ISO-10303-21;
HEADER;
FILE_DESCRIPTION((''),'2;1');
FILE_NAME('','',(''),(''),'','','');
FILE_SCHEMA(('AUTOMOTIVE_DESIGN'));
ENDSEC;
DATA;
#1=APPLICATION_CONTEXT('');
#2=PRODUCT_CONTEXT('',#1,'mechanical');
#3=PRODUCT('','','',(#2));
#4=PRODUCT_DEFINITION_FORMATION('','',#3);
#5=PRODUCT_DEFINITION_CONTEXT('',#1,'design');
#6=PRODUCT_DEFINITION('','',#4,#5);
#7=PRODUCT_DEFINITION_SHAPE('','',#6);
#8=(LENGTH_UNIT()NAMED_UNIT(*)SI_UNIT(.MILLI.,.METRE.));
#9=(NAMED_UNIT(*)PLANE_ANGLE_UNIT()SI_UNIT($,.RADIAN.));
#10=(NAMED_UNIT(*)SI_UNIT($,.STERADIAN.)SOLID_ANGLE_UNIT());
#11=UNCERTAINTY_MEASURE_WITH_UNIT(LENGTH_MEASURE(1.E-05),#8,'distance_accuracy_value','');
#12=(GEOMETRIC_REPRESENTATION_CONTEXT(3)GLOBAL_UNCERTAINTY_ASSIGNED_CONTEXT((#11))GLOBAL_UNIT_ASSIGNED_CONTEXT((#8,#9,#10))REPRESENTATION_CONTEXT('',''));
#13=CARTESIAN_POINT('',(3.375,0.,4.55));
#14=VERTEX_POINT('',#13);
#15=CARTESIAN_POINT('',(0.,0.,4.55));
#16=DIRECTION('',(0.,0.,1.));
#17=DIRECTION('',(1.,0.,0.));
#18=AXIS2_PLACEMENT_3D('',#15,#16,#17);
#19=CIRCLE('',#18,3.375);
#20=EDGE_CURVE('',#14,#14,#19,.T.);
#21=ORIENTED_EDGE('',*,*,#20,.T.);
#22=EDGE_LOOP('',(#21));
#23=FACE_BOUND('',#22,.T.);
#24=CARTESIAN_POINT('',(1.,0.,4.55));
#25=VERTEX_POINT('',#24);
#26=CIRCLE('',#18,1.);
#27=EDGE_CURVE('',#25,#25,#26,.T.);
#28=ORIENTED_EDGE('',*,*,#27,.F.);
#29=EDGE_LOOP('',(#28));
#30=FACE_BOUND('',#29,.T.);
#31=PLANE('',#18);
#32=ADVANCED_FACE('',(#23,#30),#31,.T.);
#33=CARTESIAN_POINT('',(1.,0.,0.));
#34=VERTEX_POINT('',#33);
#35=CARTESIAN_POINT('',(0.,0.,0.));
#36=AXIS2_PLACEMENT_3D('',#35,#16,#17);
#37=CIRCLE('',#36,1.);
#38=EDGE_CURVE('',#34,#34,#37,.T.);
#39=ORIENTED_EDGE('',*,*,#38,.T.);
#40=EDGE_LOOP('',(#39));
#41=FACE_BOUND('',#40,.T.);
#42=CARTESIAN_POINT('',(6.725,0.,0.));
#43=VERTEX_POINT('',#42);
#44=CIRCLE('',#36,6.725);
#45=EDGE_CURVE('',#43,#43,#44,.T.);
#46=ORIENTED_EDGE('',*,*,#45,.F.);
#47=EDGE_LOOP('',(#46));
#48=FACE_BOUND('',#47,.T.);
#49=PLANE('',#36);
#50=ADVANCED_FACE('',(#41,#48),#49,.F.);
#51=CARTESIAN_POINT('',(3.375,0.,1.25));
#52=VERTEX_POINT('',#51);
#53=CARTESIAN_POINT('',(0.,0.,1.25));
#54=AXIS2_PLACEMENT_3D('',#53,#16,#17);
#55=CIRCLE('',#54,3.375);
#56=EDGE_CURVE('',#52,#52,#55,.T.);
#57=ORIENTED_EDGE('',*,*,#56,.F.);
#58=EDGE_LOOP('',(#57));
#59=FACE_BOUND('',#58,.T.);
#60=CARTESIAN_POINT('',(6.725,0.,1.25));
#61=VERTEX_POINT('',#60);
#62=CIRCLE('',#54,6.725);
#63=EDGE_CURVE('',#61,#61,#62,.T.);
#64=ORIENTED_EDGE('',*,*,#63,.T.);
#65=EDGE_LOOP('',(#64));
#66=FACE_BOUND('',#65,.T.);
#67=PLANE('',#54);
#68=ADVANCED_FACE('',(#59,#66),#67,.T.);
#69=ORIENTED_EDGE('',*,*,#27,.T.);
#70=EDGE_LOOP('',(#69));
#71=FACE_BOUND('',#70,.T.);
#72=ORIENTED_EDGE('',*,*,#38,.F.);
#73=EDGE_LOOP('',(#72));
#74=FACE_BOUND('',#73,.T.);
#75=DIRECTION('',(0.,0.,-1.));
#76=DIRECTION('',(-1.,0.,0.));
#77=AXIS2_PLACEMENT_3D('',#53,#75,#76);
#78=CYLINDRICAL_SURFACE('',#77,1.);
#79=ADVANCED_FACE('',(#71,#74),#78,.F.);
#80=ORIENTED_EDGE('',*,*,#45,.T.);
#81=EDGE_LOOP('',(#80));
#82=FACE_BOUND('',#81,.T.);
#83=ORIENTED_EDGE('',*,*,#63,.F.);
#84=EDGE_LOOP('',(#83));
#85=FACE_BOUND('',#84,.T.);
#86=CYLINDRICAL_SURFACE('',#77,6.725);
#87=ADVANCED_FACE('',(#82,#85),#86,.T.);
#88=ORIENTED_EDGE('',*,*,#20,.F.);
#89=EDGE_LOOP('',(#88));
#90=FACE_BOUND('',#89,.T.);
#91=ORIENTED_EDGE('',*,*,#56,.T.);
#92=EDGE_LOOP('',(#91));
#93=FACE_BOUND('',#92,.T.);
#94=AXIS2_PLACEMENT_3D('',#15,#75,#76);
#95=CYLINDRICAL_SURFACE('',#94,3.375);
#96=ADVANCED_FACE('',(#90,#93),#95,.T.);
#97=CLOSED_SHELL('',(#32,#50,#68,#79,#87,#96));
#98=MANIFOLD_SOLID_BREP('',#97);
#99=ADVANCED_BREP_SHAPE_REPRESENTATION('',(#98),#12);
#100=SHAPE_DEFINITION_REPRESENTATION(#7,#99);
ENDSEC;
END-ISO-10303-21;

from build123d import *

# Parameters (mm, degrees)
SKETCH_1_R            = 6.725
SKETCH_1_R_2          = 1
EXTRUDE_T32_0_4_DEPTH = 1.25
SKETCH_2_R            = 3.375
SKETCH_2_R_2          = 1
EXTRUDE_T14_0_4_DEPTH = 3.3


with BuildPart() as part:
    # 草图1 → T32-0.4 (new body)
    with BuildSketch(Plane.XY):
        Circle(SKETCH_1_R)
        Circle(SKETCH_1_R_2, mode=Mode.SUBTRACT)
    extrude(amount=EXTRUDE_T32_0_4_DEPTH)

    # 草图2 → T14-0.4 (add)
    with BuildSketch(Plane.XY.offset(1.25)):
        Circle(SKETCH_2_R)
        Circle(SKETCH_2_R_2, mode=Mode.SUBTRACT)
    extrude(amount=EXTRUDE_T14_0_4_DEPTH)


solid = part.part
